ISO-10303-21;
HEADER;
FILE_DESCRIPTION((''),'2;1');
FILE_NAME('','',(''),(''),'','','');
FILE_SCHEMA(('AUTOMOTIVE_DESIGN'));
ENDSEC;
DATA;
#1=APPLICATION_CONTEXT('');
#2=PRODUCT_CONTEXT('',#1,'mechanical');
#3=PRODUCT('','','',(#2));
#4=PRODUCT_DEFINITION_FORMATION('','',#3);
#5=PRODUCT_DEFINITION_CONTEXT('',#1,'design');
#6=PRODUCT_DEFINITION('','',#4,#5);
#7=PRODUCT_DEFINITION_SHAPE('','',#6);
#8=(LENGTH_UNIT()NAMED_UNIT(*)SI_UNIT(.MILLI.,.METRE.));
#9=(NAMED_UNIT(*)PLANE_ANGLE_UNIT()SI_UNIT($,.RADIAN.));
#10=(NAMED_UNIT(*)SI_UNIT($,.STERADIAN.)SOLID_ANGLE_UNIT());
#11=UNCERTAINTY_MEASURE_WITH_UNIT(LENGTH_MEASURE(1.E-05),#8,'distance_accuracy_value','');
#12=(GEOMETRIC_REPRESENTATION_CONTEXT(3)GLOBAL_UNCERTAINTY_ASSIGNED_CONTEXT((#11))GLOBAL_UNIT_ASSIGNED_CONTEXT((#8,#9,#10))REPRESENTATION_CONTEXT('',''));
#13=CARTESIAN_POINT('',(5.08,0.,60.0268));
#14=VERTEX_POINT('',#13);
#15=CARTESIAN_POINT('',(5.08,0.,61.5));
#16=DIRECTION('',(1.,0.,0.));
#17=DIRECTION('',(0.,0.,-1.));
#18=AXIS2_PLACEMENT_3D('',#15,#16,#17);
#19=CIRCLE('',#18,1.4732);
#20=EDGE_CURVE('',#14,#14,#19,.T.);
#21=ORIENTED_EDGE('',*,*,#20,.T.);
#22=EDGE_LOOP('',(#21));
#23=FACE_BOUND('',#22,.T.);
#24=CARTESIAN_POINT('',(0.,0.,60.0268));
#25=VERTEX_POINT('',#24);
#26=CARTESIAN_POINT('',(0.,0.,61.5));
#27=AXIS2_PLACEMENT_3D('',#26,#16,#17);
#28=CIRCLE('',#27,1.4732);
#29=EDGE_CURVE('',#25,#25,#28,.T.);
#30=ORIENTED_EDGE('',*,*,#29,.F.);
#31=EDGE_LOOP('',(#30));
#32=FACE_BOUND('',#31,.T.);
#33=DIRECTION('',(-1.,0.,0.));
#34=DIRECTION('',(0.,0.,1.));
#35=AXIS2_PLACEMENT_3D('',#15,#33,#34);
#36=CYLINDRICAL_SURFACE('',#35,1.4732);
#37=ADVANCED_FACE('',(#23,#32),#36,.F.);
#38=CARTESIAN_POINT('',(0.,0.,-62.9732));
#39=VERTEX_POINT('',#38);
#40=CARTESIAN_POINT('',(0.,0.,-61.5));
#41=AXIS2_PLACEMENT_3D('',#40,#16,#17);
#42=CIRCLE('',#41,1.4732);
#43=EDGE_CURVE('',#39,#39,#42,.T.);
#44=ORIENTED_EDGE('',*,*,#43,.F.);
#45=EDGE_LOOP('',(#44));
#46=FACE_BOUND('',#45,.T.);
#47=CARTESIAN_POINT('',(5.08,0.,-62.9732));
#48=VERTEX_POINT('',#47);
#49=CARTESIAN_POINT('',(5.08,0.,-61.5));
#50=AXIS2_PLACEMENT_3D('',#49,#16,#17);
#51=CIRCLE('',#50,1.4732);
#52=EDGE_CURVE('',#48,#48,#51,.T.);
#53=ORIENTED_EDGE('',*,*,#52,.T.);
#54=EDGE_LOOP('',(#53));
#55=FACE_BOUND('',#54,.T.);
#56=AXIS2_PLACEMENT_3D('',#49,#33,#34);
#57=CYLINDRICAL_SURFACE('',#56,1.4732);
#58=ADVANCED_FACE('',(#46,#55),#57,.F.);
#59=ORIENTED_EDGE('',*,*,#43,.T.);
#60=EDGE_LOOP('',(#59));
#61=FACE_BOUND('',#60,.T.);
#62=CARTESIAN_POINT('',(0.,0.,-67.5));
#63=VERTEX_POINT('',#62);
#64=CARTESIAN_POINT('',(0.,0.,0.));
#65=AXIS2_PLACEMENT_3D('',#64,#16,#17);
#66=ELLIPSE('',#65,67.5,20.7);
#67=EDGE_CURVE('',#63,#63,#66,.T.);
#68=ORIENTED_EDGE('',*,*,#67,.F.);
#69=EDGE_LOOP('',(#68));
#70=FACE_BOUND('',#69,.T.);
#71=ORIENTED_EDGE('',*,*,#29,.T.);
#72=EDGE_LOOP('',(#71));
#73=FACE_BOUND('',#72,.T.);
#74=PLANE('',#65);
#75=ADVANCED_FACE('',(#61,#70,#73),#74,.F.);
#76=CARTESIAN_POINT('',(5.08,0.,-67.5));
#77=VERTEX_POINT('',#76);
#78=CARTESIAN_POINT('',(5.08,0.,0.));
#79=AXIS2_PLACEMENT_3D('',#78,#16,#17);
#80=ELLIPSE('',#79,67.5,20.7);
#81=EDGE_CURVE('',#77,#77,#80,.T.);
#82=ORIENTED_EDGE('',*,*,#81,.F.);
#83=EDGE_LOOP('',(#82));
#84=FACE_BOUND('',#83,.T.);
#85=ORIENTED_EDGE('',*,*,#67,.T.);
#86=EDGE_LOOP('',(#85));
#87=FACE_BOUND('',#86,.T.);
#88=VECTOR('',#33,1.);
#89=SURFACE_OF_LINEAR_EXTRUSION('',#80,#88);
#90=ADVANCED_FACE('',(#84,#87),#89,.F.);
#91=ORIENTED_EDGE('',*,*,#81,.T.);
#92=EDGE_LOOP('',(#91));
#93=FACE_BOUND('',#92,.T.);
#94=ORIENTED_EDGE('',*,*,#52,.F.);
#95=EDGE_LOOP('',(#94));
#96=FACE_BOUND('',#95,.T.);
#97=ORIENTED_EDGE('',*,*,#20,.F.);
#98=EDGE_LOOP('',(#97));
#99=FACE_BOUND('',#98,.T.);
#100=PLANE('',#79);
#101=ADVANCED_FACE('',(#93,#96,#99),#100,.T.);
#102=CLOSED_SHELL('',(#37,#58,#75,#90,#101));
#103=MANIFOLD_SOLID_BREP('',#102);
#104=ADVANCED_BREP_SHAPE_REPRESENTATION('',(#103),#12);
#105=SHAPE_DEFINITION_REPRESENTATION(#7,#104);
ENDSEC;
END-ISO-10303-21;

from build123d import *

# Parameters (mm, degrees)
SKETCH1_RX          = 67.5
SKETCH1_RY          = 20.7
SKETCH1_R           = 1.4732
BOSS_EXTRUDE1_DEPTH = 5.08


with BuildPart() as part:
    # Sketch1 → Boss-Extrude1 (new body)
    with BuildSketch(Plane(origin=(0, 0, 0), x_dir=(0, 0, -1), z_dir=(1, 0, 0))):
        with Locations((0, 0)):
            Ellipse(SKETCH1_RX, SKETCH1_RY)
        with Locations((-61.5, 0)):
            Circle(SKETCH1_R, mode=Mode.SUBTRACT)
        with Locations((61.5, 0)):
            Circle(SKETCH1_R, mode=Mode.SUBTRACT)
    extrude(amount=BOSS_EXTRUDE1_DEPTH)


solid = part.part
